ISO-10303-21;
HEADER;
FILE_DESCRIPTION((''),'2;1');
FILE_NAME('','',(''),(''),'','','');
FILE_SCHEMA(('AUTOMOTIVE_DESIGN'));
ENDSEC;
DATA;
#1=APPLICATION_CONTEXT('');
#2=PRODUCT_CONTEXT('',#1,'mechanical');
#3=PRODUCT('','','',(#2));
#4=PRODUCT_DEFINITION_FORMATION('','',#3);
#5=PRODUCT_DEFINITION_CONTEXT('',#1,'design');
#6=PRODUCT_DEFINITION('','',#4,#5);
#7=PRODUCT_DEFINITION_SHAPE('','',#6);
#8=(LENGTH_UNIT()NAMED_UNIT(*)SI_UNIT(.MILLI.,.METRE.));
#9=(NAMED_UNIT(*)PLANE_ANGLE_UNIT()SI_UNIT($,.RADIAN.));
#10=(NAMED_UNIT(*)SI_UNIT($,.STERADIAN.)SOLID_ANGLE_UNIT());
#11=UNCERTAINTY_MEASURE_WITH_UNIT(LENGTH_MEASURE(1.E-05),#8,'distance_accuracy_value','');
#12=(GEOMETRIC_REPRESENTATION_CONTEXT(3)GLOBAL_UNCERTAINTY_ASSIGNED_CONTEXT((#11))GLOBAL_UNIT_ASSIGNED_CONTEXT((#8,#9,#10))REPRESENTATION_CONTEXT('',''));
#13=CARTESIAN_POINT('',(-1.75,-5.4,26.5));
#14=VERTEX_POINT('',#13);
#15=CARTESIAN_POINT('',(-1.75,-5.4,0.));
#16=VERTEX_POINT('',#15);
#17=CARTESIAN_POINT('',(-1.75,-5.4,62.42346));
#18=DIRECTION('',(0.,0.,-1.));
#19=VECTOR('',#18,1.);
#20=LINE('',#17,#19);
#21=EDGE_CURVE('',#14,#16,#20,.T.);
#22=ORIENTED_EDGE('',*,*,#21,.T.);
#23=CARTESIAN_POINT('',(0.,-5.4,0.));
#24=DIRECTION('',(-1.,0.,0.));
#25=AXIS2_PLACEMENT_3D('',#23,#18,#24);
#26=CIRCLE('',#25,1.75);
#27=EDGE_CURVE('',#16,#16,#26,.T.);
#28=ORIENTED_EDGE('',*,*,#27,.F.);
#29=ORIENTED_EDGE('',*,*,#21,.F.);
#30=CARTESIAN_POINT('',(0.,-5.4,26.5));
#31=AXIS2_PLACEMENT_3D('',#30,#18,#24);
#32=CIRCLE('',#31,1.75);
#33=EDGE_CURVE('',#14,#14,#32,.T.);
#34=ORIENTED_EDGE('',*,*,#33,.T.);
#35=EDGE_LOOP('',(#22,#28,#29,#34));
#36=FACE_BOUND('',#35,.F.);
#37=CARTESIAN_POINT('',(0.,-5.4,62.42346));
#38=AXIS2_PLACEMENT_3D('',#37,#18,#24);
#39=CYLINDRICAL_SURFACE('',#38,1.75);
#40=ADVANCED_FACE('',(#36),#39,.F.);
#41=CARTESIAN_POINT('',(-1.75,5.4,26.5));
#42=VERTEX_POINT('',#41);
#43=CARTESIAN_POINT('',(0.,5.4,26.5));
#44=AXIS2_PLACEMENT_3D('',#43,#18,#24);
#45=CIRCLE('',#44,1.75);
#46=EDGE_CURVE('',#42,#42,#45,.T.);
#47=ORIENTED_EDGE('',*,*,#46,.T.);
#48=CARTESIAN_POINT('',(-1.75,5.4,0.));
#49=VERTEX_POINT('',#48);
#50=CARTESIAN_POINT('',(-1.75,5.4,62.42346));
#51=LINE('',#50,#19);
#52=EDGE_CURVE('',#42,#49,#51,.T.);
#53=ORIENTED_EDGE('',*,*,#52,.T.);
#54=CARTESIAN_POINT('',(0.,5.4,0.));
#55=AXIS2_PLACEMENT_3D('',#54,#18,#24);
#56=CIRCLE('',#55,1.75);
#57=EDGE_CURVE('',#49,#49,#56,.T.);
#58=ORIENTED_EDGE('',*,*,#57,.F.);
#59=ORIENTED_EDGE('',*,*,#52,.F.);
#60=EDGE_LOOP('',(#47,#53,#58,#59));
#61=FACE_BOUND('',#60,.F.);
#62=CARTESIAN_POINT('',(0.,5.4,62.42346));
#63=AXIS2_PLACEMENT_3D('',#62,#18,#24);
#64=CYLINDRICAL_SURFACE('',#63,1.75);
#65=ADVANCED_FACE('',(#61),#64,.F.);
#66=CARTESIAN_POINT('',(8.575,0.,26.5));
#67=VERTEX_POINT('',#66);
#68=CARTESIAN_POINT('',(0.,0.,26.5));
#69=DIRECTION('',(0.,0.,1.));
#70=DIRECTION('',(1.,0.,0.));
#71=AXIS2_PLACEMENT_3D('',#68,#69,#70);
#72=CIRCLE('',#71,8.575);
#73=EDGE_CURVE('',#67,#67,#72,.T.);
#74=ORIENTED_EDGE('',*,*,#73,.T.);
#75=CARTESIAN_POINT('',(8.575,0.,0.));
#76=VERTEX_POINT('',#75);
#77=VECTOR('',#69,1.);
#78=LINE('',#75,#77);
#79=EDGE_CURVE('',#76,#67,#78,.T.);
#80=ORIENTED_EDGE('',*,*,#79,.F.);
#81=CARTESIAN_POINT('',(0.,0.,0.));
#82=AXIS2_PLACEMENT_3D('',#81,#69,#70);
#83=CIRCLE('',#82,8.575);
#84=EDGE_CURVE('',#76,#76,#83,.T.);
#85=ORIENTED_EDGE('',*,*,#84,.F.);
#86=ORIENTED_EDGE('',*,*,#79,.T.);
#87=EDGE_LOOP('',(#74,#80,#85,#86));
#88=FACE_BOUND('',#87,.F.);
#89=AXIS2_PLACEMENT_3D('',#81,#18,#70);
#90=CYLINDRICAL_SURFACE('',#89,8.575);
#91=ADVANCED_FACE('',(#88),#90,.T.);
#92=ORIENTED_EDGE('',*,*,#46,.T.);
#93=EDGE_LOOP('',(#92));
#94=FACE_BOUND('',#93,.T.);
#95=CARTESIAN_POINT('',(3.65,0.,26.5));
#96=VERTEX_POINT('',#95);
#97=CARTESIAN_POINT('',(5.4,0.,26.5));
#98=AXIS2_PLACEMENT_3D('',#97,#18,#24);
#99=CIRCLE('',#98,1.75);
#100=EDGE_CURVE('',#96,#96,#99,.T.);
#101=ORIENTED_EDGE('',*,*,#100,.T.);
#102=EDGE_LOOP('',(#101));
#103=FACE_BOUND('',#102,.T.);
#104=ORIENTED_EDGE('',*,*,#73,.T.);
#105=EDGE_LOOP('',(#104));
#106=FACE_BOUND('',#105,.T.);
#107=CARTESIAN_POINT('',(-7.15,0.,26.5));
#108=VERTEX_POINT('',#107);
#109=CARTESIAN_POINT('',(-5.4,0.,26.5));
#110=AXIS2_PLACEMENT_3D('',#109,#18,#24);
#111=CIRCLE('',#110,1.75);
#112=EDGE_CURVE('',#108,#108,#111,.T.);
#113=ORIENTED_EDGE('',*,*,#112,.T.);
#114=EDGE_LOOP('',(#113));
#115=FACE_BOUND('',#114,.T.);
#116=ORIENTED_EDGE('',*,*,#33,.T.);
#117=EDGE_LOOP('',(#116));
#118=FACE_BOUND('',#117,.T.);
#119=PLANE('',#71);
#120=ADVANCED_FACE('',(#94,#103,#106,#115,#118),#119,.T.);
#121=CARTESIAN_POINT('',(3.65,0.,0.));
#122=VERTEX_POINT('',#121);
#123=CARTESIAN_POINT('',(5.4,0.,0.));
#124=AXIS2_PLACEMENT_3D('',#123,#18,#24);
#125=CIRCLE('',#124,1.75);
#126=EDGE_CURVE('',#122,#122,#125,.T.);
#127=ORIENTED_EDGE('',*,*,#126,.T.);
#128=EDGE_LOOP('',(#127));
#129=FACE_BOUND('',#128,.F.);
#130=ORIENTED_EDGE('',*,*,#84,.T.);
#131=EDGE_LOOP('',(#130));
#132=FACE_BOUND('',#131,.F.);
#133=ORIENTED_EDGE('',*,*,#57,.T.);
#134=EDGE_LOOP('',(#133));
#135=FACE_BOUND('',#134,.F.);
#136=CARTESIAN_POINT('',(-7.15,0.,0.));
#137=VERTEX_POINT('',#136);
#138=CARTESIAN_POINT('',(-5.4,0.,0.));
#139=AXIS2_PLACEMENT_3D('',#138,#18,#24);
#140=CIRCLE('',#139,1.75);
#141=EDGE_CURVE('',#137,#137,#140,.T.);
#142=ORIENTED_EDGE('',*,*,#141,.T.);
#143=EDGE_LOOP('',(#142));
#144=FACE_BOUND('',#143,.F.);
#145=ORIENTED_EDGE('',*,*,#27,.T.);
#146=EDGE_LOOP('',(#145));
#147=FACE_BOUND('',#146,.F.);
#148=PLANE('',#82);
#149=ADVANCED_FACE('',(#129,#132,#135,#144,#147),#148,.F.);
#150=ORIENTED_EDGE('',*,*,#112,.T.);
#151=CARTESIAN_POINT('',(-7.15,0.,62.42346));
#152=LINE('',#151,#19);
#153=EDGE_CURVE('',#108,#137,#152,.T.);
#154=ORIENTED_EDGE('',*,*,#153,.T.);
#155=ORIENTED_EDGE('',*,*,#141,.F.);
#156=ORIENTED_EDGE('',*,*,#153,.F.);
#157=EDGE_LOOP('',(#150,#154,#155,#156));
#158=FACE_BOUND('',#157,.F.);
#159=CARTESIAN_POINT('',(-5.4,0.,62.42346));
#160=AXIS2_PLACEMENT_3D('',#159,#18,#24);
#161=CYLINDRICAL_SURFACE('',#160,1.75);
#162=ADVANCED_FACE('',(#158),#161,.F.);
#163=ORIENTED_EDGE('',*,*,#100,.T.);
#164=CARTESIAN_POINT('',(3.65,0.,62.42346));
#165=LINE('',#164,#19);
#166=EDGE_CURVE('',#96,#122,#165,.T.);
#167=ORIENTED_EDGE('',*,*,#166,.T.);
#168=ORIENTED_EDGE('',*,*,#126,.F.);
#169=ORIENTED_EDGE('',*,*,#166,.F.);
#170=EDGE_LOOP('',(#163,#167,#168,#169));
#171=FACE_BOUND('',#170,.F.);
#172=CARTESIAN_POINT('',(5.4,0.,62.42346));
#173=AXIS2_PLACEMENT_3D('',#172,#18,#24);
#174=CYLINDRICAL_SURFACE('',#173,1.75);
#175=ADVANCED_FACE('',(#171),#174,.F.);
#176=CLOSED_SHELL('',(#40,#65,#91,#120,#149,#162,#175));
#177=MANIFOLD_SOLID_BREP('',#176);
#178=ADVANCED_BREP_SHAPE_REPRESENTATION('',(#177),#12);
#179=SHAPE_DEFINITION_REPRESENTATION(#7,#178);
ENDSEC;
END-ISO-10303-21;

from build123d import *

# Parameters (mm, degrees)
F0_R     = 8.575
F1_DEPTH = 26.5
F3_D     = 3.5
F4_D     = 3.5
F5_D     = 3.5


with BuildPart() as f1:
    # F0 (on Top) → F1 (new body)
    with BuildSketch(Plane.XY):
        Circle(F0_R)
    extrude(amount=F1_DEPTH)

    # F3 (through all)
    with Locations(Plane.XY.offset(26.5)):
        with Locations((0, 5.4)):
            Hole(F3_D / 2)

    # F4 (through all)
    with Locations(Plane.XY.offset(26.5)):
        with Locations((5.4, 0)):
            Hole(F4_D / 2)

    # F5 (through all)
    with Locations(Plane.XY.offset(26.5)):
        with Locations((-5.4, 0), (0, -5.4)):
            Hole(F5_D / 2)


solid = f1.part
